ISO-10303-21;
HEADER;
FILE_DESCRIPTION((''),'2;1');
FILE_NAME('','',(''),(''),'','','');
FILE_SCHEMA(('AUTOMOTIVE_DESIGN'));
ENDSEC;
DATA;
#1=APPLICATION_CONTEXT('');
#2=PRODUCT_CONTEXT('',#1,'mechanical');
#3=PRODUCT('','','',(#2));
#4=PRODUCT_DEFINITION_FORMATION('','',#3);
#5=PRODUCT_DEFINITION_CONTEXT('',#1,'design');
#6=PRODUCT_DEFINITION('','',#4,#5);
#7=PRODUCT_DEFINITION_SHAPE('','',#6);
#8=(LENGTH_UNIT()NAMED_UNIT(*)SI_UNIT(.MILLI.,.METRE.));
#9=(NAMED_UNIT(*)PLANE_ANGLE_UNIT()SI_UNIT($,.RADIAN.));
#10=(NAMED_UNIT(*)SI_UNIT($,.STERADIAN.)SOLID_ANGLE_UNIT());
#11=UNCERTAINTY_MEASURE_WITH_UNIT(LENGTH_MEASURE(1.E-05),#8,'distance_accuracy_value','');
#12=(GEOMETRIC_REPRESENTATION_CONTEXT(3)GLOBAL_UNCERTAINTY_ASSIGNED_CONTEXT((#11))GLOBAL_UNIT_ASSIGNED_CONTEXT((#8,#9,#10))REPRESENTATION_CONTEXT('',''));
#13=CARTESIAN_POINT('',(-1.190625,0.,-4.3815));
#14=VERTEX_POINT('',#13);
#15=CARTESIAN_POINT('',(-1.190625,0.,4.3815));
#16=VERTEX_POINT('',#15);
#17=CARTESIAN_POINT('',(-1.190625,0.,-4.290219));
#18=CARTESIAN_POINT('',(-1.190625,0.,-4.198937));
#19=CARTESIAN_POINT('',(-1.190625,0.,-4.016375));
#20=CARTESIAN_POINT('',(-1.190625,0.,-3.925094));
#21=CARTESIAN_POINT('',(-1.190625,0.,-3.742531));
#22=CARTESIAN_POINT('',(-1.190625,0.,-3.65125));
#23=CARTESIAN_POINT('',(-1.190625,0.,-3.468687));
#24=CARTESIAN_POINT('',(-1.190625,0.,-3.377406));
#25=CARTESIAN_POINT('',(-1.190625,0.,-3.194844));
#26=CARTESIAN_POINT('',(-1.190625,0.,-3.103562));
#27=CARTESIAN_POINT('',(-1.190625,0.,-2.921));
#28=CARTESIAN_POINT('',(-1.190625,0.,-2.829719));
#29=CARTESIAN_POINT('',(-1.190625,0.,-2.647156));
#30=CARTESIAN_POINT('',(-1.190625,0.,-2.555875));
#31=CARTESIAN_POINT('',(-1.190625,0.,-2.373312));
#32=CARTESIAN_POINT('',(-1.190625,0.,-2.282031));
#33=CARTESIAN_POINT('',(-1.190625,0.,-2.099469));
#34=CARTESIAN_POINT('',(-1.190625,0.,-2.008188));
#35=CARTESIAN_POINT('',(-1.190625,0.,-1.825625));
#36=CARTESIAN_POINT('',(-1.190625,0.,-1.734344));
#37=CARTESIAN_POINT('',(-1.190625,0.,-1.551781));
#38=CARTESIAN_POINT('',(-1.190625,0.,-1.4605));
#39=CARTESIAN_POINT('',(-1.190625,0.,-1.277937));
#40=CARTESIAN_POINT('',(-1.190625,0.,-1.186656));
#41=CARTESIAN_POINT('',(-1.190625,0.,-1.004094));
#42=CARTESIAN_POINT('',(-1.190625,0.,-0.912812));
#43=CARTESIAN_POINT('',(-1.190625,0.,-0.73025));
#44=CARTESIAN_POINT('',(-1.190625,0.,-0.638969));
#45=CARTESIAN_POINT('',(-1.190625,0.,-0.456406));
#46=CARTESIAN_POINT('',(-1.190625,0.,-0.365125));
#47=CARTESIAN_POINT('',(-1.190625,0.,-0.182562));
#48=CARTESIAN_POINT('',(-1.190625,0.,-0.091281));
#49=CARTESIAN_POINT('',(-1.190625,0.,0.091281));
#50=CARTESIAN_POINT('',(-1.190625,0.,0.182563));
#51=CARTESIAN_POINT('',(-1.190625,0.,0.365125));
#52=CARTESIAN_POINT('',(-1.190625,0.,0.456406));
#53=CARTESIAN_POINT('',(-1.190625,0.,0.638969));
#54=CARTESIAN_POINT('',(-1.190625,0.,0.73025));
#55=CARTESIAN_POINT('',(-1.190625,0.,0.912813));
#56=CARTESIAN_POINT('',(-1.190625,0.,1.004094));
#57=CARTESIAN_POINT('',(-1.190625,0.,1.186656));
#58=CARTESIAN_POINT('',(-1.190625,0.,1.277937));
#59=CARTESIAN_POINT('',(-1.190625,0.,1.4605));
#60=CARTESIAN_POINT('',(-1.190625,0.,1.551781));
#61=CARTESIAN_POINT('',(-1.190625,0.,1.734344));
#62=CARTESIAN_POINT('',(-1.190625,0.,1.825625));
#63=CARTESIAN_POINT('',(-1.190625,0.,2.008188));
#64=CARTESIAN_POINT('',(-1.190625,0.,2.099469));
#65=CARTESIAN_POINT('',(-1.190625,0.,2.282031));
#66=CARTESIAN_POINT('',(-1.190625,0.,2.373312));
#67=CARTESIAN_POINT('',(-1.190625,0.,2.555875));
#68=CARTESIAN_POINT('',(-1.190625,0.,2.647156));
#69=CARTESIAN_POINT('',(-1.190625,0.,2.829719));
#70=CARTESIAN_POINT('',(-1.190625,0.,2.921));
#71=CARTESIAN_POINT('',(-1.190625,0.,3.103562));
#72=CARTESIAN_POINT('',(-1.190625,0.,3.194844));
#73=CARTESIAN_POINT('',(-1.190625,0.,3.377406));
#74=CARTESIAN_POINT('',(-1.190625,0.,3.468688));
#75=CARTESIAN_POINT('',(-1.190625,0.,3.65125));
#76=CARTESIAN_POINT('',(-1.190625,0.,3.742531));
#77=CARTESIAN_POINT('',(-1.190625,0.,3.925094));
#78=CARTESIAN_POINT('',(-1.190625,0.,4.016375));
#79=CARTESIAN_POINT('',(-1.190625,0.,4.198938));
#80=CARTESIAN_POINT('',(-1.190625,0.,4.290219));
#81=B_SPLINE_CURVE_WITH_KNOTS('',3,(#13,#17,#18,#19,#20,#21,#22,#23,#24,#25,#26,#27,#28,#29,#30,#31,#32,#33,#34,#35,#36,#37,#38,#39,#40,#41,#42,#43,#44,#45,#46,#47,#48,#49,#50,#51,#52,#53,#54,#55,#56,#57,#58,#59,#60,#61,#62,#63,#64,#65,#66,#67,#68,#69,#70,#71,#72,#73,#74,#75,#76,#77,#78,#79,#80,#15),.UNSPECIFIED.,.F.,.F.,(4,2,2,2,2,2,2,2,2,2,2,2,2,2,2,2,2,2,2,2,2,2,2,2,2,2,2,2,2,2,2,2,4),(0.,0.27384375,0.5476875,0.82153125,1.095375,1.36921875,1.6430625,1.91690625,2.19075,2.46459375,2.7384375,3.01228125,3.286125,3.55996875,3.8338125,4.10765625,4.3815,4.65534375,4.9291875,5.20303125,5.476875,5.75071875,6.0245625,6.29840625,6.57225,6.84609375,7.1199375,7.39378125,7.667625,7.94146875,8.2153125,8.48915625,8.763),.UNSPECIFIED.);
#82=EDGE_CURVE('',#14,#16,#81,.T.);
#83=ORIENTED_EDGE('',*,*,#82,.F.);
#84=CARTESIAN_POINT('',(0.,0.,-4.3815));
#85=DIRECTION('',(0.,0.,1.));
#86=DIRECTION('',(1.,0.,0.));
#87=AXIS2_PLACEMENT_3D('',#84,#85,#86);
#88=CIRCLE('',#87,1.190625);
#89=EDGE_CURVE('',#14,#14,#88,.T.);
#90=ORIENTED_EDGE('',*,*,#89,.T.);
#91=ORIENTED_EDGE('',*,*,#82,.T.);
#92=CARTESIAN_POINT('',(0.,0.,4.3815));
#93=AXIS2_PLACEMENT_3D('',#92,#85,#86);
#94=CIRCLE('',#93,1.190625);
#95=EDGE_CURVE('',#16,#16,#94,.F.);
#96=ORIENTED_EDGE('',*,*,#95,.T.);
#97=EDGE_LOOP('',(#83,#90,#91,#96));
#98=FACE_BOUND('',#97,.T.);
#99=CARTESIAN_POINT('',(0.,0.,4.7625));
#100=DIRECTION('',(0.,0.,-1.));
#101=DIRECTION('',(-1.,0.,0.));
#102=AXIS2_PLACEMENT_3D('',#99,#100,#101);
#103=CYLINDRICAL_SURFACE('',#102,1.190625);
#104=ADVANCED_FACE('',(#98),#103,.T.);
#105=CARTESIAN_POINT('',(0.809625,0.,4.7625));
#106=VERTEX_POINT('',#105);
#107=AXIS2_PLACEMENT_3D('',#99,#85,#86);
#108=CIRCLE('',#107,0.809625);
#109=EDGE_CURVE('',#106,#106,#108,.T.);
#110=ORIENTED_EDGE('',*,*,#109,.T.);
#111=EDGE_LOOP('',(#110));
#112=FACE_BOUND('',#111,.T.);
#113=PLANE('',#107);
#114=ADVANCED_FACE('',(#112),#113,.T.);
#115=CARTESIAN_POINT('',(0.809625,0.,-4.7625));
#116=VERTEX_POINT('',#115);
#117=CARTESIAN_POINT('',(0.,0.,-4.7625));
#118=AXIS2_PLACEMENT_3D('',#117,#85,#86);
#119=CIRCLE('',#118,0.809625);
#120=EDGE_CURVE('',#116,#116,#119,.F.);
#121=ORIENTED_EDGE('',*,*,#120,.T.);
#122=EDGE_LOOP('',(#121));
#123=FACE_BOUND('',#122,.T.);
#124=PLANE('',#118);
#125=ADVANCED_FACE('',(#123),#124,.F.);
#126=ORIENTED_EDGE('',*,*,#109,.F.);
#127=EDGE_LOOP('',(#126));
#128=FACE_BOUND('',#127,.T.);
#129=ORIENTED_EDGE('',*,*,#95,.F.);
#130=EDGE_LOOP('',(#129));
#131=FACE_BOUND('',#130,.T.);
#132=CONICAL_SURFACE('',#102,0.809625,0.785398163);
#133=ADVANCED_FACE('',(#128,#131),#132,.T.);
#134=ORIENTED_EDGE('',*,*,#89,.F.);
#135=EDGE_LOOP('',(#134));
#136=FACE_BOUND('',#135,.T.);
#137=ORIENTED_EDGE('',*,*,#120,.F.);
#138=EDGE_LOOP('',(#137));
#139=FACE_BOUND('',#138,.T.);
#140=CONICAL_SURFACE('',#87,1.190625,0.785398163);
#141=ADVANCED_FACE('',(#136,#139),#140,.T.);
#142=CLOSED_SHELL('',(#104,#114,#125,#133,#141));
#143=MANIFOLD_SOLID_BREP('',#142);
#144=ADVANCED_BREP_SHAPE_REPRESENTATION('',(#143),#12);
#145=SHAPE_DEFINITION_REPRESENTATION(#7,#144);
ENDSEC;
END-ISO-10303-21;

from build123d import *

# Parameters (mm, degrees)
SKETCH1_R           = 1.190625
BOSS_EXTRUDE1_DEPTH = 4.7625
CHAMFER1_SIZE       = 0.381


with BuildPart() as part:
    # Sketch1 → Boss-Extrude1 (new, symmetric)
    with BuildSketch(Plane.XY):
        with Locations(Location((0, 0, 0), (0, 0, 180))):
            Circle(SKETCH1_R)
    extrude(amount=BOSS_EXTRUDE1_DEPTH, both=True)

    # Chamfer1
    chamfer1_edges = [part.edges().sort_by_distance(p)[0] for p in [
        (1.190625, 0, -4.7625),
        (1.190625, 0, 4.7625),
    ]]
    chamfer(chamfer1_edges, length=CHAMFER1_SIZE)


solid = part.part
